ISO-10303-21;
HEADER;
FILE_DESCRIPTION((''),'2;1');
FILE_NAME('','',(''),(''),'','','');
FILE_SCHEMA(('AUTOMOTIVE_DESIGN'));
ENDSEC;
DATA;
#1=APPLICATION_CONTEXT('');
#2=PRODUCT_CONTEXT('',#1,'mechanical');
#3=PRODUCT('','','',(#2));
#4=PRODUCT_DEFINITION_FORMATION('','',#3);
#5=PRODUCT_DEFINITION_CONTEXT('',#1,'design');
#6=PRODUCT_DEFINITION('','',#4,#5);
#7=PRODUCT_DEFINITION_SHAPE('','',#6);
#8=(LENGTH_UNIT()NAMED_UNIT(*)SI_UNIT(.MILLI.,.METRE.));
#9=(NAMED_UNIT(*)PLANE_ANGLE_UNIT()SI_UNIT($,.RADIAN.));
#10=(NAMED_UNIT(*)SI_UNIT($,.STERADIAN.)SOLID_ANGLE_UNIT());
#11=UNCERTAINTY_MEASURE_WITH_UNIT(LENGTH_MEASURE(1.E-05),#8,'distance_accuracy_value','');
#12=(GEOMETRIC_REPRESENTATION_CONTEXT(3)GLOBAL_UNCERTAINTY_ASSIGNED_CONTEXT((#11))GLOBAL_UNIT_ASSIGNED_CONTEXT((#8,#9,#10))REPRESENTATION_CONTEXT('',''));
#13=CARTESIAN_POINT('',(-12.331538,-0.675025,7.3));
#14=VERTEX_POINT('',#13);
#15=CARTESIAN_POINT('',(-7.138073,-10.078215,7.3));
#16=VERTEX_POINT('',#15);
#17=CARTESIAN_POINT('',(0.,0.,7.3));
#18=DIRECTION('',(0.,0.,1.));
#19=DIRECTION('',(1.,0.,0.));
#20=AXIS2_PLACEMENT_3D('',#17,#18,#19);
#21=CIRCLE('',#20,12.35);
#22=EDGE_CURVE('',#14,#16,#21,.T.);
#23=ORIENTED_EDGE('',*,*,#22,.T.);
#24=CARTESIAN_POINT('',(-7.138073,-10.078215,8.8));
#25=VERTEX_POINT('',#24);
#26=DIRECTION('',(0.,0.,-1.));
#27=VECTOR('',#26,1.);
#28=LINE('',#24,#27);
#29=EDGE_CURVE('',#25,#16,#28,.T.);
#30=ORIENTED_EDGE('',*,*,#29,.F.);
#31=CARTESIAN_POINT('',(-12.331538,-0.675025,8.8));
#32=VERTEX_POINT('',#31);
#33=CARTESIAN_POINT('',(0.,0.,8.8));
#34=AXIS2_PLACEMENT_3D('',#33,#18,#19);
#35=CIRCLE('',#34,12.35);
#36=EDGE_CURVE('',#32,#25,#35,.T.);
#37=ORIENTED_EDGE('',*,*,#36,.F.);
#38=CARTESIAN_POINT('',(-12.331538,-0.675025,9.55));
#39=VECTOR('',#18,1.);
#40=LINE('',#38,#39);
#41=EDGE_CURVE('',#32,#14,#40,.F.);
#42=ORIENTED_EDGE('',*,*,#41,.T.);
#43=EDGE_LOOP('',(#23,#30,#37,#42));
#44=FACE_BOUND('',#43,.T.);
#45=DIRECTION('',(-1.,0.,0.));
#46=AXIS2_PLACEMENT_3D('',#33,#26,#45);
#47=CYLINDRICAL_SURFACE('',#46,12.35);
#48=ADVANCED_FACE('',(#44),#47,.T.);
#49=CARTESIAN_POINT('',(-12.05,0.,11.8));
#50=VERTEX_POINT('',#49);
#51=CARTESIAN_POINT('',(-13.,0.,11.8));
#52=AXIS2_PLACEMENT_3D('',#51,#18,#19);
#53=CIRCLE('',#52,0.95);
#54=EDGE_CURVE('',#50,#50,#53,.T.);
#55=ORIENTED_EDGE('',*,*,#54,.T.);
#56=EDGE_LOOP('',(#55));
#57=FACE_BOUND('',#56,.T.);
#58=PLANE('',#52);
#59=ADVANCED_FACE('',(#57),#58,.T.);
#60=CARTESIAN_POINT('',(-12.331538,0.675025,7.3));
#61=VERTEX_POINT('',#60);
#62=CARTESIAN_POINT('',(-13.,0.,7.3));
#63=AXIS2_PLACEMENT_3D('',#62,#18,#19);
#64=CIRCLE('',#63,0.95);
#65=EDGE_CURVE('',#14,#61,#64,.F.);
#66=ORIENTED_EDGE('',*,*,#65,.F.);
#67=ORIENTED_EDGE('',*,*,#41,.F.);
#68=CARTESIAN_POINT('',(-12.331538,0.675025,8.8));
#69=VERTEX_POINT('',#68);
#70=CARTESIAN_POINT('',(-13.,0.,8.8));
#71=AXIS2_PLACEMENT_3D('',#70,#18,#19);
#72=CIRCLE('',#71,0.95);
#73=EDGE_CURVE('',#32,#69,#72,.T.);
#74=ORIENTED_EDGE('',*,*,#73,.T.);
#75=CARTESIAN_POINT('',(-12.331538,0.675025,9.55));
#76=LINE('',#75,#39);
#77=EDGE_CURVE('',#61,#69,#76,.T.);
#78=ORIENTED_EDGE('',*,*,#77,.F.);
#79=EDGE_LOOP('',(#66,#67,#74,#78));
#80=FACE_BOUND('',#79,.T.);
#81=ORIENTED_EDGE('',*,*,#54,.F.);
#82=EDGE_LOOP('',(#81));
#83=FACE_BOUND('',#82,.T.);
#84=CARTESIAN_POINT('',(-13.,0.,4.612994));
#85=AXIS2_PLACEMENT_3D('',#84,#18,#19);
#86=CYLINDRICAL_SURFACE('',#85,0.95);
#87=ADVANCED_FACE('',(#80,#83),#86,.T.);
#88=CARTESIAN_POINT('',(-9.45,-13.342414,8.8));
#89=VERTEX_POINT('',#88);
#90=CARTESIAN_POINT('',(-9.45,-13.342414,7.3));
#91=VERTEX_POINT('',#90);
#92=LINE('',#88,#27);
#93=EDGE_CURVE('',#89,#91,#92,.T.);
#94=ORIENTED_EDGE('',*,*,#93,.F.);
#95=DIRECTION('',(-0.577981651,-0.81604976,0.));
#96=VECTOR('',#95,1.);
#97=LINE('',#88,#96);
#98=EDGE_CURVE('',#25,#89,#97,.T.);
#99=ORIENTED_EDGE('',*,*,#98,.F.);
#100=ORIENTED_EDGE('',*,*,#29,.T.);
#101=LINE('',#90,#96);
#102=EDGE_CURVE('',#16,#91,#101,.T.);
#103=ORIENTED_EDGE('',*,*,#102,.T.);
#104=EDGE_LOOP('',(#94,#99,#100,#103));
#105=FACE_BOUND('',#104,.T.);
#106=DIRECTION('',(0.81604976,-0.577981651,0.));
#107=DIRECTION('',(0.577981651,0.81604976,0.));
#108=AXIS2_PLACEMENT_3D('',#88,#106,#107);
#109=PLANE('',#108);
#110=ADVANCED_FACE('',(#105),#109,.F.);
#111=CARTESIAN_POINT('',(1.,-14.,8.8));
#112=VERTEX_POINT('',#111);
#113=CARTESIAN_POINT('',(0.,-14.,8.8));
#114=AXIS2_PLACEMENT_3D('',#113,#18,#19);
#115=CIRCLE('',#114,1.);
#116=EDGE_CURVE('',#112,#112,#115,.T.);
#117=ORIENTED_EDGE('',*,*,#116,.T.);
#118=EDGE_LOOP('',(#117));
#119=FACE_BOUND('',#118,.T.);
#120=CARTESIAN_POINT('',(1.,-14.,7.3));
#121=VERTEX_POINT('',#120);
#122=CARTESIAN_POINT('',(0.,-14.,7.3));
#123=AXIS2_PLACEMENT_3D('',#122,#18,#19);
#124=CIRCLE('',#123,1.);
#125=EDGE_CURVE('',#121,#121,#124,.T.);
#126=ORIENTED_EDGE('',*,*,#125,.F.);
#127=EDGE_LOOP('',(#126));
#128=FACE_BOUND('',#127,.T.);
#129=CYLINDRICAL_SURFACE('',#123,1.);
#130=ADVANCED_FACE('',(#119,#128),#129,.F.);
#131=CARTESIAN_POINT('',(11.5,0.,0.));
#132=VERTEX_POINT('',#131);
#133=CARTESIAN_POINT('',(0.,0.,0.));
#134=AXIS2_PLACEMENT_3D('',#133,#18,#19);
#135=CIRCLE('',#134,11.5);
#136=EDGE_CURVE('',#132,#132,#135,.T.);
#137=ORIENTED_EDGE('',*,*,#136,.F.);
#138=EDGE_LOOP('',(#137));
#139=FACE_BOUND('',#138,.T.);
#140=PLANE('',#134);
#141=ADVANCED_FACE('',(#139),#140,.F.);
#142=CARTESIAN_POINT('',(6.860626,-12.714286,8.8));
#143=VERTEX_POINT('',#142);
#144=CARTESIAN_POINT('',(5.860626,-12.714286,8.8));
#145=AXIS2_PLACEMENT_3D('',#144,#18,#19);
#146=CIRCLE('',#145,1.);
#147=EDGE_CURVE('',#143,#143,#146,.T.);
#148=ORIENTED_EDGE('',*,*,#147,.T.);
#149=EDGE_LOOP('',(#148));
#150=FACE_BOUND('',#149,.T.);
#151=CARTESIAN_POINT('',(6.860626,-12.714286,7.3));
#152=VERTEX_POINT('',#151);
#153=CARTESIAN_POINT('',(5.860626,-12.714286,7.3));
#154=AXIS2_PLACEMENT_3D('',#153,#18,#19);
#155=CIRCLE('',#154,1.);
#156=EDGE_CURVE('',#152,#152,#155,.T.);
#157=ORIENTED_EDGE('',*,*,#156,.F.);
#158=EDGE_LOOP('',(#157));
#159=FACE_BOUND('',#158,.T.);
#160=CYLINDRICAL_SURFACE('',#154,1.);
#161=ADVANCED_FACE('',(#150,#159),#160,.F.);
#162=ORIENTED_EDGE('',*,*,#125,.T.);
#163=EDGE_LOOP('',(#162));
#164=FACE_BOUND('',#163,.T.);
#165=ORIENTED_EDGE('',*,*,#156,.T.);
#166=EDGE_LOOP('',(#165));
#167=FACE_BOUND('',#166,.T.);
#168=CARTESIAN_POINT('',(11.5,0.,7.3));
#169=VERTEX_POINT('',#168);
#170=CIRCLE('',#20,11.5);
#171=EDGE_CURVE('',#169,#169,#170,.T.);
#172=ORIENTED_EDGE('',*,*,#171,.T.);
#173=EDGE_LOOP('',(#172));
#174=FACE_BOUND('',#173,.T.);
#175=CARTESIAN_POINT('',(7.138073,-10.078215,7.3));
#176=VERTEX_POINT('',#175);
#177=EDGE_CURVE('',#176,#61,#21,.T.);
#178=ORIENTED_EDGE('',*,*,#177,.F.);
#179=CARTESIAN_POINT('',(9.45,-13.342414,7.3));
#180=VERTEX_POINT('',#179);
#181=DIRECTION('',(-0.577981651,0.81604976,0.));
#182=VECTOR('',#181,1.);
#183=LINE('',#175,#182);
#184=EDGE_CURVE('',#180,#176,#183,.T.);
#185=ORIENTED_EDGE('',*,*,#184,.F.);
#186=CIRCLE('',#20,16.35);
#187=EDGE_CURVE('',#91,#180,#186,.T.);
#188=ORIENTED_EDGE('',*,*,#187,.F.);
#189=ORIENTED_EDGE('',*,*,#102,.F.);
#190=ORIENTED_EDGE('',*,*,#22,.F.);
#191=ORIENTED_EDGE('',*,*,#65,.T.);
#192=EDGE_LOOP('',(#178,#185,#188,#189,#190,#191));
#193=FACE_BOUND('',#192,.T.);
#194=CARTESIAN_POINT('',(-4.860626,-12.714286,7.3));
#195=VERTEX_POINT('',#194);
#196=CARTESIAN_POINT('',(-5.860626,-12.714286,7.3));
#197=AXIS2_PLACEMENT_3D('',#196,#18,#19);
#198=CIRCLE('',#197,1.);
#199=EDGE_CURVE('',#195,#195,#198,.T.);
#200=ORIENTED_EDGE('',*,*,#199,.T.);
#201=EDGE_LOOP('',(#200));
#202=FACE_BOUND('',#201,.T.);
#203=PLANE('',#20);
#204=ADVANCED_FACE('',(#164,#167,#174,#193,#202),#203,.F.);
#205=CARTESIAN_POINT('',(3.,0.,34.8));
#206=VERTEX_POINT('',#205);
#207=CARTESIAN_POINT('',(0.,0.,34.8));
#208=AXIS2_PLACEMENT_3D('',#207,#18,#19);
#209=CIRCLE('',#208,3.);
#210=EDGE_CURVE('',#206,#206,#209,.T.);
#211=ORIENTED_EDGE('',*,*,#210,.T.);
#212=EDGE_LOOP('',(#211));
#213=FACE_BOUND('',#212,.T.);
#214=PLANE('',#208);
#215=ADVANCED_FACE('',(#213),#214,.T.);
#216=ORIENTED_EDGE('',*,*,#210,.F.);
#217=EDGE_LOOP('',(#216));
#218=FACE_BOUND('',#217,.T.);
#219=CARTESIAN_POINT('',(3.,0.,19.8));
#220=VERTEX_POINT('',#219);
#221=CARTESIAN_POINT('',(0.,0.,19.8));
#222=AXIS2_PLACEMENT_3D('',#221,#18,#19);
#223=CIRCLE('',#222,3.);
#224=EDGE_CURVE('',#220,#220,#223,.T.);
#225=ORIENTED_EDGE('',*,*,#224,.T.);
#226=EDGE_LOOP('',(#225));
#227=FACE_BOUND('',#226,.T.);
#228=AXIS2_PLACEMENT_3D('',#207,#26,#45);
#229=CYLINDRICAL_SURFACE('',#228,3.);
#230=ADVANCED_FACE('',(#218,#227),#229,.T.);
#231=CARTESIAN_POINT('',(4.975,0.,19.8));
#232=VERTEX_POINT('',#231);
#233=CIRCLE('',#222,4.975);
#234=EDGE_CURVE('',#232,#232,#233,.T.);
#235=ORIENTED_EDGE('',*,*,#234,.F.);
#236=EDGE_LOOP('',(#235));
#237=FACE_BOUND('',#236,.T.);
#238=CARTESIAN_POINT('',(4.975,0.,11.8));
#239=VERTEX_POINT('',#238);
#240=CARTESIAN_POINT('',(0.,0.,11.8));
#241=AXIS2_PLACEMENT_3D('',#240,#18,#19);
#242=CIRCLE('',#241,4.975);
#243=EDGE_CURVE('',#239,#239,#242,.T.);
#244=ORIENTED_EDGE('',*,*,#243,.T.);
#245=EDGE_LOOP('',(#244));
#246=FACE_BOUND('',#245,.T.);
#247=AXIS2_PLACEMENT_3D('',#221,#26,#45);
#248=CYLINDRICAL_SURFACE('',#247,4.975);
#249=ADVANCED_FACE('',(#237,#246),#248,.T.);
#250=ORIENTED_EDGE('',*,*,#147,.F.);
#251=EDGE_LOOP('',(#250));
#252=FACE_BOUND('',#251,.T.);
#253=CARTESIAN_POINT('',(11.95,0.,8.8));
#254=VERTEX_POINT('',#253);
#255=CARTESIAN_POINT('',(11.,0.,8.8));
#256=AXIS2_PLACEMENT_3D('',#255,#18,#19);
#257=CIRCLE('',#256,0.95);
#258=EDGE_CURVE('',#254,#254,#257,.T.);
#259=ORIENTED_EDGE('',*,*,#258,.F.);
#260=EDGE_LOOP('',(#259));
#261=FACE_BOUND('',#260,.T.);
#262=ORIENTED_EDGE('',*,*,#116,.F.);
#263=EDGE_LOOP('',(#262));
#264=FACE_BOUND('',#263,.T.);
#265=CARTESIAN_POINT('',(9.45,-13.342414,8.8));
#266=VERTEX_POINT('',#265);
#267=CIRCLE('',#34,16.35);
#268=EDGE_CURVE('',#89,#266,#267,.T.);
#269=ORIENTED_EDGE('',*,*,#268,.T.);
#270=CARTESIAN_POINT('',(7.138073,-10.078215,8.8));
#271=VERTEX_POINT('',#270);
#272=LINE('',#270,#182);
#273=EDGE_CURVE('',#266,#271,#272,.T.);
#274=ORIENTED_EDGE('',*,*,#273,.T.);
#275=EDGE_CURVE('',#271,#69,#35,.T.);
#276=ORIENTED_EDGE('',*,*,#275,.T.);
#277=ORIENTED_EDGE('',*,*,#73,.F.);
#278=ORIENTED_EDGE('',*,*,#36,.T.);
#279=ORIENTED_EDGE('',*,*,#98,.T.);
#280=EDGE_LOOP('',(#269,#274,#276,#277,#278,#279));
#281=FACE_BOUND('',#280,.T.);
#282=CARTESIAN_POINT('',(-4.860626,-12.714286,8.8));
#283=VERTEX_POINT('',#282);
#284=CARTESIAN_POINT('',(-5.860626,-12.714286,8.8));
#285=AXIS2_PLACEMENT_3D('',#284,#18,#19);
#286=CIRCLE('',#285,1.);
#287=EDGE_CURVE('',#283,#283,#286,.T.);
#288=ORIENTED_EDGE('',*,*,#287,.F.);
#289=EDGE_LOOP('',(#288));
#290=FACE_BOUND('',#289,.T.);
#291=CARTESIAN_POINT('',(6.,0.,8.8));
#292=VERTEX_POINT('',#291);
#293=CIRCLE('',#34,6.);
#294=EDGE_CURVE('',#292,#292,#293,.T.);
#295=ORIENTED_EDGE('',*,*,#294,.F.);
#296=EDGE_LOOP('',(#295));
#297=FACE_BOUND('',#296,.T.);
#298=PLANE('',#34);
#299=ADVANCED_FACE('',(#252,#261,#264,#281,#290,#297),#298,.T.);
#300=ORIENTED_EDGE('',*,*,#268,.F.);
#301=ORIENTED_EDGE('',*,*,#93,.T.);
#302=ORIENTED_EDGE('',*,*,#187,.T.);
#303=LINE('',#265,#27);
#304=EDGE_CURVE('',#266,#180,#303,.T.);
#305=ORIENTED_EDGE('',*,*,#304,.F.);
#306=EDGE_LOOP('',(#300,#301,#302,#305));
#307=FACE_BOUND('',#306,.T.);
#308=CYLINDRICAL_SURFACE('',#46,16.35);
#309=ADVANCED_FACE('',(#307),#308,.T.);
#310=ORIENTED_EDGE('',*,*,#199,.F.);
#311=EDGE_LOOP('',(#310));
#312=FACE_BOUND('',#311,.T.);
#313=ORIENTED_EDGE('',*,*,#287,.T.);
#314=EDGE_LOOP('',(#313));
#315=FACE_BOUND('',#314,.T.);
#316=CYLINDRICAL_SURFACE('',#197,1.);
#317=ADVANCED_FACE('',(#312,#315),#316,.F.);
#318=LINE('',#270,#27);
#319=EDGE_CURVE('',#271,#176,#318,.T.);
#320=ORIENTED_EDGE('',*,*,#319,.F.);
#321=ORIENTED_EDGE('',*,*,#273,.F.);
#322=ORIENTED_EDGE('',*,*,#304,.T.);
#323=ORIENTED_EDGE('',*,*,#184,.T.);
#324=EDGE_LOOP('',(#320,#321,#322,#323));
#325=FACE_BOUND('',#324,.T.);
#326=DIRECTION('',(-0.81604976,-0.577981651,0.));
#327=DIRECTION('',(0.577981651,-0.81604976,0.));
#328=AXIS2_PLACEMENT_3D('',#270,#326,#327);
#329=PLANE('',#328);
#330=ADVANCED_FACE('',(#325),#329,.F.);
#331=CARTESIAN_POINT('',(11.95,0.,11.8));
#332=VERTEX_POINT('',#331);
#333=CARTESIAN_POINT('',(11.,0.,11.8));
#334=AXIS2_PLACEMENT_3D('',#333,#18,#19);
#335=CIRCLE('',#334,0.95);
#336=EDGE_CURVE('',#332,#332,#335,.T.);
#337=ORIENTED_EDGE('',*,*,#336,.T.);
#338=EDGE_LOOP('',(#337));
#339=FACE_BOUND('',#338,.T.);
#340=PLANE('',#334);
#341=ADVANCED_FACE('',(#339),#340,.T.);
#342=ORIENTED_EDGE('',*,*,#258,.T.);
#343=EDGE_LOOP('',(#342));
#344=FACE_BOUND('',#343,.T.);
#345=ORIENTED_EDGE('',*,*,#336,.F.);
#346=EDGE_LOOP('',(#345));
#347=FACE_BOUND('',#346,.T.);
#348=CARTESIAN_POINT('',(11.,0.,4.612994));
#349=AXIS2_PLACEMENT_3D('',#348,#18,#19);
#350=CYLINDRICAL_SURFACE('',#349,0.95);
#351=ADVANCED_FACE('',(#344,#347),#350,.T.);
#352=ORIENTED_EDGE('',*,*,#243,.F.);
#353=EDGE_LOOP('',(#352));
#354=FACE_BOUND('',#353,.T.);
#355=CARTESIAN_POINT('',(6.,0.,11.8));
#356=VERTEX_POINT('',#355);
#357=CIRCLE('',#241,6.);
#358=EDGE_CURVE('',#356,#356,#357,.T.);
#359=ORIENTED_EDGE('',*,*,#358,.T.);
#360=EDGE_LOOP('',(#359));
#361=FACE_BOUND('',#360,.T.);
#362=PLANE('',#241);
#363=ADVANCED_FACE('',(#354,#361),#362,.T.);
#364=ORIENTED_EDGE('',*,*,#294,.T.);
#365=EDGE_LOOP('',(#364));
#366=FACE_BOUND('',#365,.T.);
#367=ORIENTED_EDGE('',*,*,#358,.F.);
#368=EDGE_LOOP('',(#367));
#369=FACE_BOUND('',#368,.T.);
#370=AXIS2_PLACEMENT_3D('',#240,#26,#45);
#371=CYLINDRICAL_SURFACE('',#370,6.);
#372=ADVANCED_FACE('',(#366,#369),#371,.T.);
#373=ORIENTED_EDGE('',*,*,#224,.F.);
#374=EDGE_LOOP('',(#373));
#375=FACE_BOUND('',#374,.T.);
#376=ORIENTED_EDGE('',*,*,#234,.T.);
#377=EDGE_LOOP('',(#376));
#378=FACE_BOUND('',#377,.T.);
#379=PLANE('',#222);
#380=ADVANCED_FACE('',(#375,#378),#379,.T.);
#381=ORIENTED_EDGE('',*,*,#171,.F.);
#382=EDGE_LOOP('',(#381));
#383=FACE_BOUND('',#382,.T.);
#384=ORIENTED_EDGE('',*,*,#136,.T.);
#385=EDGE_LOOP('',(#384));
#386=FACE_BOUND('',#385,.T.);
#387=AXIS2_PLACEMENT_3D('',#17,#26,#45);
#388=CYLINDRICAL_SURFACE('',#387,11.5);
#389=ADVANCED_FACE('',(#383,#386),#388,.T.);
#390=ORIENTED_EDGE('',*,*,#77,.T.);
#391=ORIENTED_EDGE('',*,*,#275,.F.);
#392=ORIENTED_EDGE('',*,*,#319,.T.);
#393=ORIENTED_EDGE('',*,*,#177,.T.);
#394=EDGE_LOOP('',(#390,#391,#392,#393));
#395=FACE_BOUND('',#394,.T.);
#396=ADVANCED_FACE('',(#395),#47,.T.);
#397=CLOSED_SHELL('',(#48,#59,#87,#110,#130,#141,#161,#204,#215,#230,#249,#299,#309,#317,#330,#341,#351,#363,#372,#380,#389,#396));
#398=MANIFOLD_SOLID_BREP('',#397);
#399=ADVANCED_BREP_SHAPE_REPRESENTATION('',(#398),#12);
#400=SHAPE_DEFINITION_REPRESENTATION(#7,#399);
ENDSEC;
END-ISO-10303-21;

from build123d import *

# Parameters (mm, degrees)
SKETCH1_R      = 11.5
EXTRUDE1_DEPTH = 7.3
EXTRUDE2_DEPTH = 1.5
SKETCH3_R      = 1
EXTRUDE3_DEPTH = 1.5
SKETCH4_R      = 6
EXTRUDE4_DEPTH = 3
SKETCH5_R      = 4.975
EXTRUDE5_DEPTH = 8
SKETCH6_R      = 3
EXTRUDE6_DEPTH = 15
EXTRUDE7_START = -1.5
SKETCH7_R      = 0.95
EXTRUDE7_DEPTH = 4.5


with BuildPart() as part:
    # Sketch1 → Extrude1 (new body)
    with BuildSketch(Plane.XY):
        Circle(SKETCH1_R)
    extrude(amount=EXTRUDE1_DEPTH)

    # Sketch2 → Extrude2 (add)
    with BuildSketch(Plane.XY.offset(7.3)):
        with BuildLine():
            Line((-9.45, -13.342413575), (-7.138073394, -10.078214535))
            ThreePointArc((-7.138073394, -10.078214535), (0, 12.35), (7.138073394, -10.078214535))
            Line((7.138073394, -10.078214535), (9.45, -13.342413575))
            ThreePointArc((9.45, -13.342413575), (0, -16.35), (-9.45, -13.342413575))
        make_face()
    extrude(amount=EXTRUDE2_DEPTH)

    # Sketch3 → Extrude3 (cut)
    with BuildSketch(Plane.XY.offset(8.8)):
        with Locations((0, -14)):
            Circle(SKETCH3_R)
        with Locations((5.860626142, -12.714285714)):
            Circle(SKETCH3_R)
        with Locations((-5.860626142, -12.714285714)):
            Circle(SKETCH3_R)
    extrude(amount=-EXTRUDE3_DEPTH, mode=Mode.SUBTRACT)

    # Sketch4 → Extrude4 (add)
    with BuildSketch(Plane.XY.offset(8.8)):
        Circle(SKETCH4_R)
    extrude(amount=EXTRUDE4_DEPTH)

    # Sketch5 → Extrude5 (add)
    with BuildSketch(Plane.XY.offset(11.8)):
        Circle(SKETCH5_R)
    extrude(amount=EXTRUDE5_DEPTH)

    # Sketch6 → Extrude6 (add)
    with BuildSketch(Plane.XY.offset(19.8)):
        Circle(SKETCH6_R)
    extrude(amount=EXTRUDE6_DEPTH)

    # Sketch7 → Extrude7 (add)
    with BuildSketch(Plane.XY.offset(8.8).offset(EXTRUDE7_START)):
        with Locations((11, 0)):
            Circle(SKETCH7_R)
        with Locations((-13, 0)):
            Circle(SKETCH7_R)
    extrude(amount=EXTRUDE7_DEPTH)


solid = part.part
